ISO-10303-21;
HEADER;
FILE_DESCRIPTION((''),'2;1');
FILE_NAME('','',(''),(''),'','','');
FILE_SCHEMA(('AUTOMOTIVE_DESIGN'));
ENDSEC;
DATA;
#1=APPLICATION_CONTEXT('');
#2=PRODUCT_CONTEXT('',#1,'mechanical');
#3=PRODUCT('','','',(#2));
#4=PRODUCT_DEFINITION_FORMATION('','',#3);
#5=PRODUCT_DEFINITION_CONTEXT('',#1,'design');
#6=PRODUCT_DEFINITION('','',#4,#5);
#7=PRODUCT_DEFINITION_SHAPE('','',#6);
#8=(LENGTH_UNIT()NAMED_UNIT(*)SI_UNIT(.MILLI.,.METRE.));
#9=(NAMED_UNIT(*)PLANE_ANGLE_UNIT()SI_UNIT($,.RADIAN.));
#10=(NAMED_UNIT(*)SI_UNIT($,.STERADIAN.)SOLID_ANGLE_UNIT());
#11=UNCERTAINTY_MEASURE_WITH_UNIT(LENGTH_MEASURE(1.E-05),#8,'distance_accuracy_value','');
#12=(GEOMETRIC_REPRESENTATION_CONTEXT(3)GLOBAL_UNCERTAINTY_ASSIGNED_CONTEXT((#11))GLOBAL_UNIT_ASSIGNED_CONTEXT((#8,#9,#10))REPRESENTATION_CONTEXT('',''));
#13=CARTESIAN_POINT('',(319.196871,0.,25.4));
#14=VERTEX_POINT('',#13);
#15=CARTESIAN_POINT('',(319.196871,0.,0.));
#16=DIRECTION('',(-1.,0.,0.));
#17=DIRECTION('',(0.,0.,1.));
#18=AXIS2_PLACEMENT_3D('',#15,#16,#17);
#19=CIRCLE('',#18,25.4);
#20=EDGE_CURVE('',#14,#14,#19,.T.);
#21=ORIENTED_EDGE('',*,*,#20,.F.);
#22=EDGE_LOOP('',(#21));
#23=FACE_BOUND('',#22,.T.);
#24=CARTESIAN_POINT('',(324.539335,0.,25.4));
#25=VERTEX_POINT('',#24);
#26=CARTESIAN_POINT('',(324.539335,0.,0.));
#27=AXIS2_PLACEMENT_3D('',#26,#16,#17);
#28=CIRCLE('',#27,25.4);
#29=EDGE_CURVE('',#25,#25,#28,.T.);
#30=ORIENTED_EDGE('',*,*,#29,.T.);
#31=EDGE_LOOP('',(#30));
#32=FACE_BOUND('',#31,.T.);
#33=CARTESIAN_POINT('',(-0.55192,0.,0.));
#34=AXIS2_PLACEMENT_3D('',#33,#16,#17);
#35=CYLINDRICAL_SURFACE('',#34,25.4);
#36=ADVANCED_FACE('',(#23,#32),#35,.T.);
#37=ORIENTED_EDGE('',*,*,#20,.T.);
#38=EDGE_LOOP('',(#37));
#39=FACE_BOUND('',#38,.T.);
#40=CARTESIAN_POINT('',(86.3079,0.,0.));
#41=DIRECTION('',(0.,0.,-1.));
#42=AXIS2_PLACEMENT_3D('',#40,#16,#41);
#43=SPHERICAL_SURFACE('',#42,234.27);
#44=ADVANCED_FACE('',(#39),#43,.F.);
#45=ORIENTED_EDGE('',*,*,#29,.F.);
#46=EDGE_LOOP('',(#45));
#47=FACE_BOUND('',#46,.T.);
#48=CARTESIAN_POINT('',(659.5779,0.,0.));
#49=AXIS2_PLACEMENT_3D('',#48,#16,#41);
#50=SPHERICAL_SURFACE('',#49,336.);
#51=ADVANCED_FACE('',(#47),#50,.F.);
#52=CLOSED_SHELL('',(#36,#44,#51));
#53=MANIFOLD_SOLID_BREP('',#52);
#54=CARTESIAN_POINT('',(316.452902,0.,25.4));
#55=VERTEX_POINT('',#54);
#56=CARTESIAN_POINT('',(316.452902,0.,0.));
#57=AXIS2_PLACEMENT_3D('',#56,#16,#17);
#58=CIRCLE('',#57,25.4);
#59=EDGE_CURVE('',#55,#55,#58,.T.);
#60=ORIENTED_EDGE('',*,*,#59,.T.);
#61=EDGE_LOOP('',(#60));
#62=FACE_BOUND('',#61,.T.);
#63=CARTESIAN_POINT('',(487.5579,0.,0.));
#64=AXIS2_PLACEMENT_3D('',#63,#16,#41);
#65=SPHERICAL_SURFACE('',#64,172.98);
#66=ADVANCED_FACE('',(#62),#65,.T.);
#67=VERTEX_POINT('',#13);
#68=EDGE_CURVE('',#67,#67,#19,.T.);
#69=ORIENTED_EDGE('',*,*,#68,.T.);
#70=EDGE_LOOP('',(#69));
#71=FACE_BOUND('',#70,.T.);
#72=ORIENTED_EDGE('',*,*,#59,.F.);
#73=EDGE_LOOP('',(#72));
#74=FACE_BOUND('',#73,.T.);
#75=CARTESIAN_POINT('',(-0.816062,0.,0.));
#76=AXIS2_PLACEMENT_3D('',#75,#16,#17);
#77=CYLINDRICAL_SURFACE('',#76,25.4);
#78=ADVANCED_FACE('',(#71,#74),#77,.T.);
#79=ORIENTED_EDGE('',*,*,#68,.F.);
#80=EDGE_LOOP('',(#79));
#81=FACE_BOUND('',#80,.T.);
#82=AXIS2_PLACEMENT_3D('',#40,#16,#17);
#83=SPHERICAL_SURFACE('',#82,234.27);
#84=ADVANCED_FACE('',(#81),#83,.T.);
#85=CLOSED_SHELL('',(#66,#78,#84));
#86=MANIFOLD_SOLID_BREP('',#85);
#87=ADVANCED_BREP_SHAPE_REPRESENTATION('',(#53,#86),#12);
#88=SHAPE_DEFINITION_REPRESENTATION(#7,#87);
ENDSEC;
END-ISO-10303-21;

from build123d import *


with BuildPart() as part:
    # 草图1 one side → 旋转1 (revolve)
    with BuildSketch(Plane(origin=(0, 0, 0), x_dir=(1, 0, 0), z_dir=(0, 1, 0)), mode=Mode.PRIVATE) as revolve_1_sk:
        with BuildLine():
            ThreePointArc((316.452902095, 25.4), (315.047287575, 12.734555664), (314.577900269, 0))
            Line((314.577900269, 0), (320.577900269, 0))
            ThreePointArc((320.577900269, 0), (320.232388277, 12.7187582), (319.196871455, 25.4))
            Line((319.196871455, 25.4), (316.452902095, 25.4))
        make_face()
    revolve(revolve_1_sk.sketch.rotate(Axis((-0.816062176, 0, 0), (1, 0, 0)), 180), axis=Axis((-0.816062176, 0, 0), (1, 0, 0)))  # turned: the seam where the file's is


with BuildPart() as body_2:
    # 草图2 one side → 旋转2 (revolve)
    with BuildSketch(Plane(origin=(0, 0, 0), x_dir=(1, 0, 0), z_dir=(0, 1, 0))):
        with BuildLine():
            Line((324.539335324, 25.4), (319.196871455, 25.4))
            ThreePointArc((319.196871455, 25.4), (320.232388277, 12.7187582), (320.577900269, 0))
            Line((320.577900269, 0), (323.577900269, 0))
            ThreePointArc((323.577900269, 0), (323.818345065, 12.709094749), (324.539335324, 25.4))
        make_face()
    revolve(axis=Axis((-0.551919993, 0, 0), (1, 0, 0)))


solid = Compound([part.part, body_2.part])
